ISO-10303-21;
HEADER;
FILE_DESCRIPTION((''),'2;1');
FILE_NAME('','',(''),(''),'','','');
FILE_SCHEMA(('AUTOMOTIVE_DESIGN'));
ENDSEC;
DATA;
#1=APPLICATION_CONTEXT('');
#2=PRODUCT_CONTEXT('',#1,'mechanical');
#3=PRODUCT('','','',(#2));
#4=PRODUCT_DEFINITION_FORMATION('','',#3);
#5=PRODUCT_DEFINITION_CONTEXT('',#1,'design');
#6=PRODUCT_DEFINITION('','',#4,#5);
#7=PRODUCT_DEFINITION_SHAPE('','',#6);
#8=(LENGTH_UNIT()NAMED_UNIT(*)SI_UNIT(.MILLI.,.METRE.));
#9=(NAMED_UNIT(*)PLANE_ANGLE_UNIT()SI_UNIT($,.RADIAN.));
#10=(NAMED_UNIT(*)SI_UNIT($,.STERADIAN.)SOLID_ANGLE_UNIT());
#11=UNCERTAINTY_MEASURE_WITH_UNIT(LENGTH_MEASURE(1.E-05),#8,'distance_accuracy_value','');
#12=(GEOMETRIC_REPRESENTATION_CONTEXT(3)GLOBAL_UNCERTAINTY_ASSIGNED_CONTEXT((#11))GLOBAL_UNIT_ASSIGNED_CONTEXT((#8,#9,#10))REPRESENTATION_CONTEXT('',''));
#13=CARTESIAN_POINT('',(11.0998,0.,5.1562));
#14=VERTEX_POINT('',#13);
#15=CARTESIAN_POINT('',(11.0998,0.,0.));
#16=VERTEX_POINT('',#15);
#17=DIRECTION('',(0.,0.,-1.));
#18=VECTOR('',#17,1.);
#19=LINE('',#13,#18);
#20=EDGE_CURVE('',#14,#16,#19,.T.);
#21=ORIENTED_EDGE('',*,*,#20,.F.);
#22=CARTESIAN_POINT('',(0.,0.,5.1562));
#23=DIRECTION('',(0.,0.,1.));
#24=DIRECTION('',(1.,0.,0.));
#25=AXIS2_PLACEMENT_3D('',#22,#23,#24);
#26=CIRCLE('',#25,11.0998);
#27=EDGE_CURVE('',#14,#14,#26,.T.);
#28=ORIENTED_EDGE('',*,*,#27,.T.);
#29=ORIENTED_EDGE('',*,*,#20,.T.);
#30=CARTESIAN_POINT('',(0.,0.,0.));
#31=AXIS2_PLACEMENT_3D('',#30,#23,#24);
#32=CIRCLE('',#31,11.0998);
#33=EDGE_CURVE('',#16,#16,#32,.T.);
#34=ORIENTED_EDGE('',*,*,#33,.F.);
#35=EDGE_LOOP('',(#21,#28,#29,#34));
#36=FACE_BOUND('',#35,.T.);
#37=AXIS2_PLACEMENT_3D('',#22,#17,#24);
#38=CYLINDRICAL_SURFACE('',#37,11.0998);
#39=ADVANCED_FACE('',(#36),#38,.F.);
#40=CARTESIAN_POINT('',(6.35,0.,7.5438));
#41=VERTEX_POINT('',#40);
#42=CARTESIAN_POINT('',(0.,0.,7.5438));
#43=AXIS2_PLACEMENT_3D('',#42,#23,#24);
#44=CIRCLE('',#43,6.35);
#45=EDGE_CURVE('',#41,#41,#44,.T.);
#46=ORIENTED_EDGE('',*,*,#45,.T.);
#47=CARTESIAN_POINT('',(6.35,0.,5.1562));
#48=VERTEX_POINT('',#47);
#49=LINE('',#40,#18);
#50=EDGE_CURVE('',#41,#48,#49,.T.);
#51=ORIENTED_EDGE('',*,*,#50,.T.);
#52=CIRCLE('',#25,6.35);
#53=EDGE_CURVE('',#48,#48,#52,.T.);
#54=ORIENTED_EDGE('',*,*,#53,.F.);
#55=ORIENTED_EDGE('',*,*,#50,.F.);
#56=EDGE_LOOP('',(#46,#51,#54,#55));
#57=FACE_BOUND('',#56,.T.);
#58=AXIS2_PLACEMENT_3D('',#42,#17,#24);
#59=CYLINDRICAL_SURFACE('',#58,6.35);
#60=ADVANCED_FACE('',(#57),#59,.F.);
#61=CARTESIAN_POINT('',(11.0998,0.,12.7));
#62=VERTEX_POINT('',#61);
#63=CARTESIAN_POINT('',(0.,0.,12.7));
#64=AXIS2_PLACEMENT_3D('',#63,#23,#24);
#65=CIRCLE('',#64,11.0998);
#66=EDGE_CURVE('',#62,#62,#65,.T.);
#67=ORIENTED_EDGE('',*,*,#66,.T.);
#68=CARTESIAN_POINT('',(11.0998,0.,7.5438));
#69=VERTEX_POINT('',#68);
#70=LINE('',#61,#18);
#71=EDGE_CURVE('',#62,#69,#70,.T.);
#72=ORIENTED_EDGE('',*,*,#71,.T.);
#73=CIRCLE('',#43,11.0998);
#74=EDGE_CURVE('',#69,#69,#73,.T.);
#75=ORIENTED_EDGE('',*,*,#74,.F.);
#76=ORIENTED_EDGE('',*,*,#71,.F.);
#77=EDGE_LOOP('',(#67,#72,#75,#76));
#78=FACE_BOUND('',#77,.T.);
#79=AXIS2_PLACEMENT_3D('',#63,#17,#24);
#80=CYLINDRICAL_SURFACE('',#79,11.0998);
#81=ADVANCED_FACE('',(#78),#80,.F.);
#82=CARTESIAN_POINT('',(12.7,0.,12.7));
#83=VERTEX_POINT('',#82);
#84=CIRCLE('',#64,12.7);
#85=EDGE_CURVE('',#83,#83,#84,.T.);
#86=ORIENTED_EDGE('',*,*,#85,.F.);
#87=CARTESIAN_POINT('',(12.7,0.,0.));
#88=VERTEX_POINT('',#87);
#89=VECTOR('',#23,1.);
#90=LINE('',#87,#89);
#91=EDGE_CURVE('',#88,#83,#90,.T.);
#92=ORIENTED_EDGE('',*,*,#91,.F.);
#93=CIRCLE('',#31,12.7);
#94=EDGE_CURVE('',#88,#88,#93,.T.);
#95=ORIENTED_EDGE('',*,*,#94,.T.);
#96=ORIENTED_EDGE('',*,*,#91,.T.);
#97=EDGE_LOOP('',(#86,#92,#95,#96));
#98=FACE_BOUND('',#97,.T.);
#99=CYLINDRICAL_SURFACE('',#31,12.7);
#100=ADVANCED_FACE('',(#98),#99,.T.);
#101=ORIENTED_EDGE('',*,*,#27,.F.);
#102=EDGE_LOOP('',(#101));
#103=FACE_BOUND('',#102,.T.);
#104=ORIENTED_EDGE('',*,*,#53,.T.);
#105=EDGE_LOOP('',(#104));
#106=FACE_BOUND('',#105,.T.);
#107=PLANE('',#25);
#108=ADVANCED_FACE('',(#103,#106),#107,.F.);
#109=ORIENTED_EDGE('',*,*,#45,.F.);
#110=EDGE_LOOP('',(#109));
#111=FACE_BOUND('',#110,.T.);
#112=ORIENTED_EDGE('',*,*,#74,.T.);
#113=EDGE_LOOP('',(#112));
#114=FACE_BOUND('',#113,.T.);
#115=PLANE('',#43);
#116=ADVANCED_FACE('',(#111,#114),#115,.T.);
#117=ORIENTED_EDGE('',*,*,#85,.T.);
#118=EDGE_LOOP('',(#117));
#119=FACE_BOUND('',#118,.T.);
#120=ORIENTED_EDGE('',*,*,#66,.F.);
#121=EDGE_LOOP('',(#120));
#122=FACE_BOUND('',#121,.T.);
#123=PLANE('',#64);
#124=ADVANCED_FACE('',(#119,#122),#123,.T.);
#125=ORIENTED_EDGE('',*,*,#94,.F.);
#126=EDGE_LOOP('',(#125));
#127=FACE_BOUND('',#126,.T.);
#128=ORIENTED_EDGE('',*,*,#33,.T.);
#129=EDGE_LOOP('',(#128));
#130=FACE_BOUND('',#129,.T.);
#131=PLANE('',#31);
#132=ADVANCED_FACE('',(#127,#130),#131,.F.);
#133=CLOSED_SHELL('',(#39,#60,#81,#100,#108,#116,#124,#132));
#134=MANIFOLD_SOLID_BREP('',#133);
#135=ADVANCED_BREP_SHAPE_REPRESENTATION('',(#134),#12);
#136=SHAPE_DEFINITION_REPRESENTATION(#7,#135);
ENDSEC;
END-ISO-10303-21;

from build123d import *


with BuildPart() as f1:
    # F0 (on Front) → F1 (revolve)
    with BuildSketch(Plane.XZ):
        Polygon((11.0998, 5.1562), (11.0998, 0), (12.7, 0), (12.7, 12.7), (11.0998, 12.7), (11.0998, 7.5438), (6.35, 7.5438), (6.35, 5.1562), align=None)
    revolve(axis=Axis((0, 0, 12.060359), (0, 0, 1)))


solid = f1.part
